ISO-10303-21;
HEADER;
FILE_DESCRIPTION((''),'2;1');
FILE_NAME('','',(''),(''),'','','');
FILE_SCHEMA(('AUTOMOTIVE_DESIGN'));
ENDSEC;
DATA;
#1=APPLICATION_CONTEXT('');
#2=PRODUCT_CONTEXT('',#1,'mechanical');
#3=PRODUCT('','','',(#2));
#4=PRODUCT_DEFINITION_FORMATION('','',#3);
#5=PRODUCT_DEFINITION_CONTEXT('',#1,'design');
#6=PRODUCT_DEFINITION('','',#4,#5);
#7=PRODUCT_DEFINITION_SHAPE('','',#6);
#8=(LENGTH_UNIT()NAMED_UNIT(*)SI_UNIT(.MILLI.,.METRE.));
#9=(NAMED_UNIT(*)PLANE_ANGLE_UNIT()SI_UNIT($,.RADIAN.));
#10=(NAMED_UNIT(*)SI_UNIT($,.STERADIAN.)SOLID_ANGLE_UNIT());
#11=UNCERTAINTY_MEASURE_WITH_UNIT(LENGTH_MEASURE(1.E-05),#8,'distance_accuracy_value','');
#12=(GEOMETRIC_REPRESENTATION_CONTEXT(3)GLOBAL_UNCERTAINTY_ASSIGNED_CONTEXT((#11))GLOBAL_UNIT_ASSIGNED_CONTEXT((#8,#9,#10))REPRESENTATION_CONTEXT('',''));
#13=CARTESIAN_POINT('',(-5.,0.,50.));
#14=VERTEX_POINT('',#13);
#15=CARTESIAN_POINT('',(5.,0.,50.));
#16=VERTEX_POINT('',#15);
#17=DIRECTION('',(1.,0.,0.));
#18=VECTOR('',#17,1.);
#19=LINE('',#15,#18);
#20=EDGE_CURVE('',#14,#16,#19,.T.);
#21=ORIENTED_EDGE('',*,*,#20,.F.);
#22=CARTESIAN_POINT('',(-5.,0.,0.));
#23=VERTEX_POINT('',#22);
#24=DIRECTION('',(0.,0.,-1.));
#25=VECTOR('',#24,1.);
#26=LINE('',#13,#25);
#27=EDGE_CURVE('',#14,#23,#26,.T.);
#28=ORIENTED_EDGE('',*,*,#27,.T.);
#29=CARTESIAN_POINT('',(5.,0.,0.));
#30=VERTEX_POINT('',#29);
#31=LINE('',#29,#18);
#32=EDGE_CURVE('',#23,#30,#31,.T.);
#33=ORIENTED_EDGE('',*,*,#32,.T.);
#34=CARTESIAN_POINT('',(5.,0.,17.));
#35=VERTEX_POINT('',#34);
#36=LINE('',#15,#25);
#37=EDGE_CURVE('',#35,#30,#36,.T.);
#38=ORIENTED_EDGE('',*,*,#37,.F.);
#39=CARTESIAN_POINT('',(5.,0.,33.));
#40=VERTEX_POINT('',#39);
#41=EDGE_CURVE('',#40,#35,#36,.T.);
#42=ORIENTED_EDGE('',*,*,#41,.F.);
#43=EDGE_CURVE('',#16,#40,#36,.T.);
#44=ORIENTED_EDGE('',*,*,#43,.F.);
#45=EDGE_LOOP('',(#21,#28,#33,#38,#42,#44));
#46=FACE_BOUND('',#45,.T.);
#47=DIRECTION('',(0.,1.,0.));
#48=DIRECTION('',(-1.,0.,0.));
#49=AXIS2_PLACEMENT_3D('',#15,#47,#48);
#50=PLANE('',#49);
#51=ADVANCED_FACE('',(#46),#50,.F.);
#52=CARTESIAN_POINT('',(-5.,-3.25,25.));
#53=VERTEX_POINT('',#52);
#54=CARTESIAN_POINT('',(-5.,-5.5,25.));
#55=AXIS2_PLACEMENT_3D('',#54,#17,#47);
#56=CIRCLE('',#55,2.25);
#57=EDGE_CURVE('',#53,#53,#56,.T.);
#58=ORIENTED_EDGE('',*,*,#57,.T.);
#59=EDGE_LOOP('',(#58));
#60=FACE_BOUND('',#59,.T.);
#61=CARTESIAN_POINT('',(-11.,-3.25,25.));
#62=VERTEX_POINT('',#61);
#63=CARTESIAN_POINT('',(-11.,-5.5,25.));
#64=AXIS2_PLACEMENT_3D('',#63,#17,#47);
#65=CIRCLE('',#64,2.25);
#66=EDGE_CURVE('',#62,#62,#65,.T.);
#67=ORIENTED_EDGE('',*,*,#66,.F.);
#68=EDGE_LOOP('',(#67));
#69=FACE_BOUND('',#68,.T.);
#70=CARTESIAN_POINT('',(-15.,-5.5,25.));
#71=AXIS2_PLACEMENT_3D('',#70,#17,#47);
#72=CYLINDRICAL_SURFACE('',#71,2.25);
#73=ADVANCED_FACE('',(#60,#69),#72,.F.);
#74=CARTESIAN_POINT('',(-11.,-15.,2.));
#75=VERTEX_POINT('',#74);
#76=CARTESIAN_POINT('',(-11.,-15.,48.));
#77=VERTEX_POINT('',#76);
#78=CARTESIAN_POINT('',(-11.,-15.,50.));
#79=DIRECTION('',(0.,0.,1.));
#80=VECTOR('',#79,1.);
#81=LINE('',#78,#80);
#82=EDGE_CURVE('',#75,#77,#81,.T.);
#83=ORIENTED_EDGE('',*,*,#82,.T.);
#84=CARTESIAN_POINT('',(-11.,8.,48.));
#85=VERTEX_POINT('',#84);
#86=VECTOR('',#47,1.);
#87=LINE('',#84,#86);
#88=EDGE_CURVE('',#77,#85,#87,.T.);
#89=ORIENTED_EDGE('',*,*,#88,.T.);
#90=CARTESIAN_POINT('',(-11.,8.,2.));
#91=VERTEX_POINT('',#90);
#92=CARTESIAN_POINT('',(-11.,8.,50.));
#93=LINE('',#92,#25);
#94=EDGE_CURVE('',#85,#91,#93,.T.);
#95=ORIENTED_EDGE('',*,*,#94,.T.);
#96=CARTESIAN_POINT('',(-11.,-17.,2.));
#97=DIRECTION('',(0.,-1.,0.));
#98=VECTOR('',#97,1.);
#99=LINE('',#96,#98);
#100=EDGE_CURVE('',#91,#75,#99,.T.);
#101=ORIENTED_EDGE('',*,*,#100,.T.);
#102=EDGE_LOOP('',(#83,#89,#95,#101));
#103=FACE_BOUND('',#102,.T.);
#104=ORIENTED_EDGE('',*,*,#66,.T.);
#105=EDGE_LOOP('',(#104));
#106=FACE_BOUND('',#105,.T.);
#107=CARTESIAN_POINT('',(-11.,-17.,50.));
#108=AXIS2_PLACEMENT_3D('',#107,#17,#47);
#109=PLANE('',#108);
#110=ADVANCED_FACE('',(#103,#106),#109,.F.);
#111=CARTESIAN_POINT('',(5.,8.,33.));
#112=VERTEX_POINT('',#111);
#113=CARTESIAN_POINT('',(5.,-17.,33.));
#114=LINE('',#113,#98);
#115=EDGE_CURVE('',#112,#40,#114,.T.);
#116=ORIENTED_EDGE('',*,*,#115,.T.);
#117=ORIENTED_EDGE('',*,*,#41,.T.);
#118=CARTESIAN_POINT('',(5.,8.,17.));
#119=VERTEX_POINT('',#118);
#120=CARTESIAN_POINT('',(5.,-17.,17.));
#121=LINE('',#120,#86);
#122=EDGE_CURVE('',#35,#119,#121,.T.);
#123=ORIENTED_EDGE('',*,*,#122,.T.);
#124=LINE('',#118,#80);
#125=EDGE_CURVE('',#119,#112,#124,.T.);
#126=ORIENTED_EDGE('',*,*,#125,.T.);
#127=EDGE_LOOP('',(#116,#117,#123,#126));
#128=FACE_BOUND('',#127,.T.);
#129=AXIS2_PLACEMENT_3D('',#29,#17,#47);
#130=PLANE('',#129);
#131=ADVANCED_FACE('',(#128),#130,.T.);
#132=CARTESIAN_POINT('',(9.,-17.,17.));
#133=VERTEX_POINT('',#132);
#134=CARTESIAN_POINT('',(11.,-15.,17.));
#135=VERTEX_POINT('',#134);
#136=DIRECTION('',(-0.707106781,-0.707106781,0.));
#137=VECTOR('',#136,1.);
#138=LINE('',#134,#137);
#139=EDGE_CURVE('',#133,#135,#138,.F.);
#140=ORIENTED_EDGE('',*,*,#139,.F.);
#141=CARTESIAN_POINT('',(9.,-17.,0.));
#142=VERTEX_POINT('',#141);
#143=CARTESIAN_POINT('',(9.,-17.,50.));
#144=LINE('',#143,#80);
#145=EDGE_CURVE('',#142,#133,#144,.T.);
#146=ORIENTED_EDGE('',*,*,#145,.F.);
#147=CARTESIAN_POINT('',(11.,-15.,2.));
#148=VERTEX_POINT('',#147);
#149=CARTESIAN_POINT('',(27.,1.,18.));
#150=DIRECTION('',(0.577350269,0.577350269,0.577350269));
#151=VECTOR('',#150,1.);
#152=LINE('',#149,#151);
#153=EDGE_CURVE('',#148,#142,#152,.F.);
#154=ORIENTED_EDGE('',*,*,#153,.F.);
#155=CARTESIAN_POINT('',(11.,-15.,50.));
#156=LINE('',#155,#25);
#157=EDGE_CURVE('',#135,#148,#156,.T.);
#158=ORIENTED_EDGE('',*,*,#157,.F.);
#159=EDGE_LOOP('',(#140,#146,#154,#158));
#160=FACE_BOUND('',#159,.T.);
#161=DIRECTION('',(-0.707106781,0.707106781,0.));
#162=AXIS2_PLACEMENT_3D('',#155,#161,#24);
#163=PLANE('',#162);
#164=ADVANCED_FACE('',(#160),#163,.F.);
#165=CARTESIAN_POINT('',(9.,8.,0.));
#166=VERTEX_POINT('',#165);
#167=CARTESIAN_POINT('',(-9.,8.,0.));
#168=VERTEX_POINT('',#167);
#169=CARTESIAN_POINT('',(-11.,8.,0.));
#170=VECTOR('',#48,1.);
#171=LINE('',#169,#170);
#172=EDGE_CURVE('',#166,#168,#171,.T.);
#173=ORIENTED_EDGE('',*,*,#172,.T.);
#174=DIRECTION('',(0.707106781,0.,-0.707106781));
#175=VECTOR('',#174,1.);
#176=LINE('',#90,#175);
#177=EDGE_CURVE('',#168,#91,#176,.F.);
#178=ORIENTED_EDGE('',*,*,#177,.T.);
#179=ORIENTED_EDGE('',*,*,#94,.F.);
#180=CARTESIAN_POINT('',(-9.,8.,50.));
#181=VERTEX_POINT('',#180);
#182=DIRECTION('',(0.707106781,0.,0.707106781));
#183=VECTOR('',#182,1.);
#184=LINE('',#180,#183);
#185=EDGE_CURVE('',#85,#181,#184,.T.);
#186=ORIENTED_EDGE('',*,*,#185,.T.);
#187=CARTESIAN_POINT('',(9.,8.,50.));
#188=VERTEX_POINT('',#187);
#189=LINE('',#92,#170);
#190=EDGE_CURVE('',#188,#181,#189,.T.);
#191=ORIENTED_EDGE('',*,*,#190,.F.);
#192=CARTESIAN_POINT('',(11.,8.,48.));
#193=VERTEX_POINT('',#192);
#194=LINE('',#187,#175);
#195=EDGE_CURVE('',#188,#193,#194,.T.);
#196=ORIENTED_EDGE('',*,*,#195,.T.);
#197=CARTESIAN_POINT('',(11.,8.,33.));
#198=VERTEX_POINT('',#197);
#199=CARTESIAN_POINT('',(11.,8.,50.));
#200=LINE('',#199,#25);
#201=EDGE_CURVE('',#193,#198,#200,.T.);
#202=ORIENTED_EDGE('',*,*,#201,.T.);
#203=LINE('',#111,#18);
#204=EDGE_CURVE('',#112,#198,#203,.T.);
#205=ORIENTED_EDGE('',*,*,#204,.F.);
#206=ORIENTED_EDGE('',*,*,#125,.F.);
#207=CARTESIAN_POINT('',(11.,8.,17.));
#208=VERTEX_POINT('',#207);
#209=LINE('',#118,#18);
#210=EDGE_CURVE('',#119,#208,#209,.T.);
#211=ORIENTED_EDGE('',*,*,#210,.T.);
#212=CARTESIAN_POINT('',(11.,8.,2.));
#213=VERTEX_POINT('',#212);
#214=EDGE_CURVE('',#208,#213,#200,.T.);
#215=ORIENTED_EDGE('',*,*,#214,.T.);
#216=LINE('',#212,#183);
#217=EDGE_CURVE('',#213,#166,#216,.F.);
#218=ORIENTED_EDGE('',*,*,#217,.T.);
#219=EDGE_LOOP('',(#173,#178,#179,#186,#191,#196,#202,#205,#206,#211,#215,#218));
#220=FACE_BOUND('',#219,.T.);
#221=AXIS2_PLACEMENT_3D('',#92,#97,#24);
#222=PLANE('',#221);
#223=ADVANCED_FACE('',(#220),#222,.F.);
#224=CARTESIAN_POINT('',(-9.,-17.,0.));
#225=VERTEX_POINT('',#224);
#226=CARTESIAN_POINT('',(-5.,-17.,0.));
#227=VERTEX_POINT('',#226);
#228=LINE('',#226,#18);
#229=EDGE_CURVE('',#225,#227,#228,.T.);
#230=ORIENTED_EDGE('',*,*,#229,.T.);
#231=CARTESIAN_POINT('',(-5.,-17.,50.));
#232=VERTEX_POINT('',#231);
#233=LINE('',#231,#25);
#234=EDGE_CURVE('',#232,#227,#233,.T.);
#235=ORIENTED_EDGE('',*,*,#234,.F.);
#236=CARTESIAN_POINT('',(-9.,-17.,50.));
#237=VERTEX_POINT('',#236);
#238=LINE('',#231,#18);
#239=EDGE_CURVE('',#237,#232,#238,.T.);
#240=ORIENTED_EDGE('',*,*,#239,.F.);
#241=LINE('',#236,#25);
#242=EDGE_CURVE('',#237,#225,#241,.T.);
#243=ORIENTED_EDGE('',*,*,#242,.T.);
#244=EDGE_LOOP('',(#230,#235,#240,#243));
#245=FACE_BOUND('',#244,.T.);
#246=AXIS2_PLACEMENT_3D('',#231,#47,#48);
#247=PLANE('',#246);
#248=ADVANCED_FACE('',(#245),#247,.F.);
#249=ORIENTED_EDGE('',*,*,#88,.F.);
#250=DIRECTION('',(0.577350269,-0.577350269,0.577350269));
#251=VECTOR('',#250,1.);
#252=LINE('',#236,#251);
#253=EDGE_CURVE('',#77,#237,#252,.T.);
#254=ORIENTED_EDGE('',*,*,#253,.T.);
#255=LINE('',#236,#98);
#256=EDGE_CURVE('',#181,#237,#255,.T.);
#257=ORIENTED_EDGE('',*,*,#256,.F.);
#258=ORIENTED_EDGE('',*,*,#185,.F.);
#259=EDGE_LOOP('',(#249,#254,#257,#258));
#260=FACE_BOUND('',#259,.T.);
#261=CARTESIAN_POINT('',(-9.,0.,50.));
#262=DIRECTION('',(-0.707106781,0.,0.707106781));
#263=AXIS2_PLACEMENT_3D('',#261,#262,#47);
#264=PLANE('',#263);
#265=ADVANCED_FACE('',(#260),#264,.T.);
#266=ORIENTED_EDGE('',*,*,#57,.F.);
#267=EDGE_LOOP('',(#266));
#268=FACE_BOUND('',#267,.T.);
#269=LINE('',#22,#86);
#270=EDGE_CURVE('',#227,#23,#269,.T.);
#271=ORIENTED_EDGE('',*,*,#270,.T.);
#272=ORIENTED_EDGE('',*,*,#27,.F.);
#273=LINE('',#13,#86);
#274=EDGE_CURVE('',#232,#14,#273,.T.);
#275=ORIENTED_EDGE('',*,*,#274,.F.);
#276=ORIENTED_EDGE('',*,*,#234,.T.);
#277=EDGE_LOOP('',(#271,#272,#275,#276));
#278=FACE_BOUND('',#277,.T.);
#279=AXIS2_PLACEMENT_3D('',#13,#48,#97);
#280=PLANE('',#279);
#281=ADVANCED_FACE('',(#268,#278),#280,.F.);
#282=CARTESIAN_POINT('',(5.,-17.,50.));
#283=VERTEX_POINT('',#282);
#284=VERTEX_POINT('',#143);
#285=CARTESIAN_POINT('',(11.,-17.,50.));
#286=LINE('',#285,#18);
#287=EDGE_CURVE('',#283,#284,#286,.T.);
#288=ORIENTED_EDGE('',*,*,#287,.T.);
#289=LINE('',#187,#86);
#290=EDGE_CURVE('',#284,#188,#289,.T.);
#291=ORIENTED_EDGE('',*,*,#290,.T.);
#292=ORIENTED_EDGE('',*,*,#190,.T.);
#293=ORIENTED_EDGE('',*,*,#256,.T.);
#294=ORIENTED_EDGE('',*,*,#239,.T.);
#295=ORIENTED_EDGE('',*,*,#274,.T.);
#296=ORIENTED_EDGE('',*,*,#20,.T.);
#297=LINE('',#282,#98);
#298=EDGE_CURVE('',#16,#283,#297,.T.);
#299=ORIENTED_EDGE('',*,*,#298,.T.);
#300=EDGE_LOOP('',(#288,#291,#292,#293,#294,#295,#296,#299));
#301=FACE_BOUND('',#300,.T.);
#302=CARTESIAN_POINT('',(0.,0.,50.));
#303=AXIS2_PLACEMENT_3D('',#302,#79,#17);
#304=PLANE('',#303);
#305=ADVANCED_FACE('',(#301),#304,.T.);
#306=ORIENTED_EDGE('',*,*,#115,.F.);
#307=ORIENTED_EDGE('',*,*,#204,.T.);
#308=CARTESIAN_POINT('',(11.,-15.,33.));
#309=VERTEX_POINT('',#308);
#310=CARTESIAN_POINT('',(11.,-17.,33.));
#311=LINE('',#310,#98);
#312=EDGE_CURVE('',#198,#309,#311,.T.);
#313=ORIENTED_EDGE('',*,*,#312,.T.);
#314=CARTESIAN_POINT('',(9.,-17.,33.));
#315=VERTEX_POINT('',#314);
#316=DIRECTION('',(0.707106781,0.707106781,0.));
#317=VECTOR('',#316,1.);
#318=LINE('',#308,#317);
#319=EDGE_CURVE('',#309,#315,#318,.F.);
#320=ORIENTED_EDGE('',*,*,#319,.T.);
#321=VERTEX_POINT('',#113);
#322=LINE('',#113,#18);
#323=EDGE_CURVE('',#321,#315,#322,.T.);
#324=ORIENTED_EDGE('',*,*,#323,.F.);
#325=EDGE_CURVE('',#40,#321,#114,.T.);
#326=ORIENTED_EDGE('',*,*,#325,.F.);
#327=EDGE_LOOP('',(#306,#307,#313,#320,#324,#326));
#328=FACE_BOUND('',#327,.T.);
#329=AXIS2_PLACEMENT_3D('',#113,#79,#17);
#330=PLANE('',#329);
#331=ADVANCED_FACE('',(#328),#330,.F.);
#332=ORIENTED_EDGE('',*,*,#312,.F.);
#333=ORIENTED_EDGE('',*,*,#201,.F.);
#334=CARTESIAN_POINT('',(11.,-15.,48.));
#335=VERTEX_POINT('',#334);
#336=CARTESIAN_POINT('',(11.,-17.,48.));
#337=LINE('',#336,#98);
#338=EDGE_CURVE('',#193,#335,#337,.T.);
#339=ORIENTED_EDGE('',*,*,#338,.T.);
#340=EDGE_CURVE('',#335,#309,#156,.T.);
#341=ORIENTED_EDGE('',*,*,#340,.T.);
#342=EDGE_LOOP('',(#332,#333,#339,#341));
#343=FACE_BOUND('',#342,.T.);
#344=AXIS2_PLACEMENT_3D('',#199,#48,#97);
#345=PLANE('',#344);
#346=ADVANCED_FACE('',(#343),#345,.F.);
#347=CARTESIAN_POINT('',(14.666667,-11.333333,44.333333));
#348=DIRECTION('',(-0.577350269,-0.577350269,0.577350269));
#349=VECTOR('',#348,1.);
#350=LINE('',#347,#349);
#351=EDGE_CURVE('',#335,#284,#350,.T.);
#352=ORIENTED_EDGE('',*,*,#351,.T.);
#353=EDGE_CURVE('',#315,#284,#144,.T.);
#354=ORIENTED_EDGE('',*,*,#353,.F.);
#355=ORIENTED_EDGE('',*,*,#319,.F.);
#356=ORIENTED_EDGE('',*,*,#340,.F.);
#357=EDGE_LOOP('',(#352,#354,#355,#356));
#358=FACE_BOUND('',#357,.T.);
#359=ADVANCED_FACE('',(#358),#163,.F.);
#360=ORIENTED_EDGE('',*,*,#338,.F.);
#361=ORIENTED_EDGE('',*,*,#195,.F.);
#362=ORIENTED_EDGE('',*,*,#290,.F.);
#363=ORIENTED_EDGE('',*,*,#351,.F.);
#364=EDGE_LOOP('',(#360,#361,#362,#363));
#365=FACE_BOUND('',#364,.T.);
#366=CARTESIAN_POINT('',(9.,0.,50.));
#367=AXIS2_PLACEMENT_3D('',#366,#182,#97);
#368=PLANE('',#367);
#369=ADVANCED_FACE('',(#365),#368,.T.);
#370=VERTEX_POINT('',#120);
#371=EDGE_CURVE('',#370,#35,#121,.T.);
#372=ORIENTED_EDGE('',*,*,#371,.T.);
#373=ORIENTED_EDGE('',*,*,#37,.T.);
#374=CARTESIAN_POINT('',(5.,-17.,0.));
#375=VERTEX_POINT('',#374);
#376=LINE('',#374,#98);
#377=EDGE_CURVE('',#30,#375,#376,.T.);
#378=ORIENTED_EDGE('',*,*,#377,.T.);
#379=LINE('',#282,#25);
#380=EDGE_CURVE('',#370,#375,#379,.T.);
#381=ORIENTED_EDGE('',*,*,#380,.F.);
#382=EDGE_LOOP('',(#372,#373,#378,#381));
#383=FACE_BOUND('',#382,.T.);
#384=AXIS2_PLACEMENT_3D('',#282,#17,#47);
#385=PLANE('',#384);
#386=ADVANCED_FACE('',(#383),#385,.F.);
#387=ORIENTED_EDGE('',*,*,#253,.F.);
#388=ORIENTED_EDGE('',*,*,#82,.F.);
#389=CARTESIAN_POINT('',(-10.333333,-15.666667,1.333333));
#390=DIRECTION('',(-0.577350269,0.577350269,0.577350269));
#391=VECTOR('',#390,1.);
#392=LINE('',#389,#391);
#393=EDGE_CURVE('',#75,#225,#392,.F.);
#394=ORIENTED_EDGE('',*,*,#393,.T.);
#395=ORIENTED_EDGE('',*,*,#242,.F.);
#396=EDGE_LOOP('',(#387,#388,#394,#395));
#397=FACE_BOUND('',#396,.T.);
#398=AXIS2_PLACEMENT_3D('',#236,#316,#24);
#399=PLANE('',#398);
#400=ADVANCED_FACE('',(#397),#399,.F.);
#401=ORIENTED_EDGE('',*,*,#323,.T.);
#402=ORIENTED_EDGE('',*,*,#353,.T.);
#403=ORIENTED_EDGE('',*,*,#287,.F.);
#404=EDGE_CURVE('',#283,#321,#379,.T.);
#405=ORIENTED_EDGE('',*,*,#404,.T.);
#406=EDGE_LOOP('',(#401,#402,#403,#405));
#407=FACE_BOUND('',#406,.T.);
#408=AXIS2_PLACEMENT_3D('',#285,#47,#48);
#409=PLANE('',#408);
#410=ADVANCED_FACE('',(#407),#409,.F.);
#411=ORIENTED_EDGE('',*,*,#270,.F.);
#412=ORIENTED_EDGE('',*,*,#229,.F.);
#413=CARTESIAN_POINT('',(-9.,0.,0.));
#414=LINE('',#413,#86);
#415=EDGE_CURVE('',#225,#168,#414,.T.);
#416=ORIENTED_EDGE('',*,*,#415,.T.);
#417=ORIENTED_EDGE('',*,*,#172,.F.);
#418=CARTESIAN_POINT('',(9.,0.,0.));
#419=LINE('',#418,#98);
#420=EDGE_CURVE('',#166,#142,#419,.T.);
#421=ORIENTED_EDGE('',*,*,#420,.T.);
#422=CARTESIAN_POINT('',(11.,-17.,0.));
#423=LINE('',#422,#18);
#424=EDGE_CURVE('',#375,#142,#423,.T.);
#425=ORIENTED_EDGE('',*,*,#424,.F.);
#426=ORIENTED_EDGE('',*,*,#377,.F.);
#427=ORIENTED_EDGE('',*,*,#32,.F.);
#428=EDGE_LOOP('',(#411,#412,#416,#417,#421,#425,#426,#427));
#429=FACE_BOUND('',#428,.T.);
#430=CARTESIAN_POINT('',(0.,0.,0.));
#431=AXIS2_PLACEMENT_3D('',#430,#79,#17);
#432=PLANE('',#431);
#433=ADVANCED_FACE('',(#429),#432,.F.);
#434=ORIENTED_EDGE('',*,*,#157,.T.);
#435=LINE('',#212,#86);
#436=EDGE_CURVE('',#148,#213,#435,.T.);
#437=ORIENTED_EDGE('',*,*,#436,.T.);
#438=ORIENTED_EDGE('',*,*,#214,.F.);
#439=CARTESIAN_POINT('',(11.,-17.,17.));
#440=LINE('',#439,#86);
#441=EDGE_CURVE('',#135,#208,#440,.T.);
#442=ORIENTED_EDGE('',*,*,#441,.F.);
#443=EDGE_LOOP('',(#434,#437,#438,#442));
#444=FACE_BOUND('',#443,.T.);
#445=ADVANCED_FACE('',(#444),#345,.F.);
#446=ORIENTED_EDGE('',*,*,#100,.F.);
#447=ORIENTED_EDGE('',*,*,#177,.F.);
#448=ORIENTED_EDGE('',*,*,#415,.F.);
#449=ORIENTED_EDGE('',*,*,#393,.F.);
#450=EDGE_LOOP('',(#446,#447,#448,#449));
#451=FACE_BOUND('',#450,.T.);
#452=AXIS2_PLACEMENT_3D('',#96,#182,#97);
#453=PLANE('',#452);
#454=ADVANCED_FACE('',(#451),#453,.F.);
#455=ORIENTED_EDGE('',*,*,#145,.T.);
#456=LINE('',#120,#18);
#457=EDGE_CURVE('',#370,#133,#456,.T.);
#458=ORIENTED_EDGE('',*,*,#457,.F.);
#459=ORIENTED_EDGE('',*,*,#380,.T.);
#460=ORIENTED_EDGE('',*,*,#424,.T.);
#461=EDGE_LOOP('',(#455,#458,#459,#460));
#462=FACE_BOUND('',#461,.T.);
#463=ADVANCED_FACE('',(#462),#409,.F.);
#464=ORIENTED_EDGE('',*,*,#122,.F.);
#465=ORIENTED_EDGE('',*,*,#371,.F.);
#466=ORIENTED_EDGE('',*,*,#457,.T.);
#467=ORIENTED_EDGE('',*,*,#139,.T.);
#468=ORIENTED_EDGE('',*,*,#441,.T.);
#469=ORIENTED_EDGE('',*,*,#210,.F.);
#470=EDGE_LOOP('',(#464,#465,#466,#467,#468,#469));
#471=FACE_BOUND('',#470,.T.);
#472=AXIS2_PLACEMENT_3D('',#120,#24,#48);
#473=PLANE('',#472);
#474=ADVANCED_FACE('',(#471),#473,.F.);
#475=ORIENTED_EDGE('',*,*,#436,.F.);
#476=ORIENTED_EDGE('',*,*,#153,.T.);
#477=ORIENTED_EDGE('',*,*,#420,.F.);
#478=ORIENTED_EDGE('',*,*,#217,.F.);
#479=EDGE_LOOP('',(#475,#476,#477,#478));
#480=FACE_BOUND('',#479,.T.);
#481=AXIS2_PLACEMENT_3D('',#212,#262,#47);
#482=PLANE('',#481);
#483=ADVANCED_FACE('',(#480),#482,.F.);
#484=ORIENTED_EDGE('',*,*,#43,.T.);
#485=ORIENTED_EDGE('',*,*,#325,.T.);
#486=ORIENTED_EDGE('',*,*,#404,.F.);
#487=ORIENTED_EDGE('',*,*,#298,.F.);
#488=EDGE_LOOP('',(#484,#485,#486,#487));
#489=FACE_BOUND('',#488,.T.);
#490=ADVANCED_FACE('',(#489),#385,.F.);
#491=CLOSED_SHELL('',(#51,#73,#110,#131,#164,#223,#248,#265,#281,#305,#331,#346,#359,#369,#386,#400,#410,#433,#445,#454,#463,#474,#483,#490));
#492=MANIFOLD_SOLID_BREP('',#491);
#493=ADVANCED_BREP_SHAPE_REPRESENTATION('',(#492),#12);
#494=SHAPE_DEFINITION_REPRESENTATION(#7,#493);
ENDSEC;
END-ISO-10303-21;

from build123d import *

# Parameters (mm, degrees)
ESTRUSIONE_ESTRUSIONE1_DEPTH = 50
SCHIZZO2_W                   = 16
SCHIZZO2_H                   = 25
TAGLIO_ESTRUSIONE1_DEPTH     = 6
SCHIZZO3_R                   = 2.25
TAGLIO_ESTRUSIONE2_DEPTH     = 10
SMUSSO1_SIZE                 = 2


with BuildPart() as part:
    # Schizzo1 → Estrusione-Estrusione1 (new body)
    with BuildSketch(Plane.XY):
        Polygon((5, 0), (-5, 0), (-5, -17), (-11, -17), (-11, 8), (11, 8), (11, -17), (5, -17), align=None)
    extrude(amount=ESTRUSIONE_ESTRUSIONE1_DEPTH)

    # Schizzo2 → Taglio-Estrusione1 (cut)
    with BuildSketch(Plane(origin=(11, 0, 0), x_dir=(0, 0, -1), z_dir=(1, 0, 0))):
        with Locations((-25, -4.5)):
            Rectangle(SCHIZZO2_W, SCHIZZO2_H)
    extrude(amount=-TAGLIO_ESTRUSIONE1_DEPTH, mode=Mode.SUBTRACT)

    # Schizzo3 → Taglio-Estrusione2 (cut)
    with BuildSketch(Plane(origin=(-5, 0, 0), x_dir=(0, 0, -1), z_dir=(1, 0, 0))):
        with Locations(Location((-25, -5.5, 0), (0, 0, 90))):
            Circle(SCHIZZO3_R)
    extrude(amount=-TAGLIO_ESTRUSIONE2_DEPTH, mode=Mode.SUBTRACT)

    # Smusso1
    smusso1_edges = [part.edges().sort_by_distance(p)[0] for p in [
        (11, -4.5, 0),
        (11, -4.5, 50),
        (-11, -17, 25),
        (11, -17, 41.5),
        (-11, -4.5, 50),
        (11, -17, 8.5),
        (-11, -4.5, 0),
    ]]
    chamfer(smusso1_edges, length=SMUSSO1_SIZE)


solid = part.part
